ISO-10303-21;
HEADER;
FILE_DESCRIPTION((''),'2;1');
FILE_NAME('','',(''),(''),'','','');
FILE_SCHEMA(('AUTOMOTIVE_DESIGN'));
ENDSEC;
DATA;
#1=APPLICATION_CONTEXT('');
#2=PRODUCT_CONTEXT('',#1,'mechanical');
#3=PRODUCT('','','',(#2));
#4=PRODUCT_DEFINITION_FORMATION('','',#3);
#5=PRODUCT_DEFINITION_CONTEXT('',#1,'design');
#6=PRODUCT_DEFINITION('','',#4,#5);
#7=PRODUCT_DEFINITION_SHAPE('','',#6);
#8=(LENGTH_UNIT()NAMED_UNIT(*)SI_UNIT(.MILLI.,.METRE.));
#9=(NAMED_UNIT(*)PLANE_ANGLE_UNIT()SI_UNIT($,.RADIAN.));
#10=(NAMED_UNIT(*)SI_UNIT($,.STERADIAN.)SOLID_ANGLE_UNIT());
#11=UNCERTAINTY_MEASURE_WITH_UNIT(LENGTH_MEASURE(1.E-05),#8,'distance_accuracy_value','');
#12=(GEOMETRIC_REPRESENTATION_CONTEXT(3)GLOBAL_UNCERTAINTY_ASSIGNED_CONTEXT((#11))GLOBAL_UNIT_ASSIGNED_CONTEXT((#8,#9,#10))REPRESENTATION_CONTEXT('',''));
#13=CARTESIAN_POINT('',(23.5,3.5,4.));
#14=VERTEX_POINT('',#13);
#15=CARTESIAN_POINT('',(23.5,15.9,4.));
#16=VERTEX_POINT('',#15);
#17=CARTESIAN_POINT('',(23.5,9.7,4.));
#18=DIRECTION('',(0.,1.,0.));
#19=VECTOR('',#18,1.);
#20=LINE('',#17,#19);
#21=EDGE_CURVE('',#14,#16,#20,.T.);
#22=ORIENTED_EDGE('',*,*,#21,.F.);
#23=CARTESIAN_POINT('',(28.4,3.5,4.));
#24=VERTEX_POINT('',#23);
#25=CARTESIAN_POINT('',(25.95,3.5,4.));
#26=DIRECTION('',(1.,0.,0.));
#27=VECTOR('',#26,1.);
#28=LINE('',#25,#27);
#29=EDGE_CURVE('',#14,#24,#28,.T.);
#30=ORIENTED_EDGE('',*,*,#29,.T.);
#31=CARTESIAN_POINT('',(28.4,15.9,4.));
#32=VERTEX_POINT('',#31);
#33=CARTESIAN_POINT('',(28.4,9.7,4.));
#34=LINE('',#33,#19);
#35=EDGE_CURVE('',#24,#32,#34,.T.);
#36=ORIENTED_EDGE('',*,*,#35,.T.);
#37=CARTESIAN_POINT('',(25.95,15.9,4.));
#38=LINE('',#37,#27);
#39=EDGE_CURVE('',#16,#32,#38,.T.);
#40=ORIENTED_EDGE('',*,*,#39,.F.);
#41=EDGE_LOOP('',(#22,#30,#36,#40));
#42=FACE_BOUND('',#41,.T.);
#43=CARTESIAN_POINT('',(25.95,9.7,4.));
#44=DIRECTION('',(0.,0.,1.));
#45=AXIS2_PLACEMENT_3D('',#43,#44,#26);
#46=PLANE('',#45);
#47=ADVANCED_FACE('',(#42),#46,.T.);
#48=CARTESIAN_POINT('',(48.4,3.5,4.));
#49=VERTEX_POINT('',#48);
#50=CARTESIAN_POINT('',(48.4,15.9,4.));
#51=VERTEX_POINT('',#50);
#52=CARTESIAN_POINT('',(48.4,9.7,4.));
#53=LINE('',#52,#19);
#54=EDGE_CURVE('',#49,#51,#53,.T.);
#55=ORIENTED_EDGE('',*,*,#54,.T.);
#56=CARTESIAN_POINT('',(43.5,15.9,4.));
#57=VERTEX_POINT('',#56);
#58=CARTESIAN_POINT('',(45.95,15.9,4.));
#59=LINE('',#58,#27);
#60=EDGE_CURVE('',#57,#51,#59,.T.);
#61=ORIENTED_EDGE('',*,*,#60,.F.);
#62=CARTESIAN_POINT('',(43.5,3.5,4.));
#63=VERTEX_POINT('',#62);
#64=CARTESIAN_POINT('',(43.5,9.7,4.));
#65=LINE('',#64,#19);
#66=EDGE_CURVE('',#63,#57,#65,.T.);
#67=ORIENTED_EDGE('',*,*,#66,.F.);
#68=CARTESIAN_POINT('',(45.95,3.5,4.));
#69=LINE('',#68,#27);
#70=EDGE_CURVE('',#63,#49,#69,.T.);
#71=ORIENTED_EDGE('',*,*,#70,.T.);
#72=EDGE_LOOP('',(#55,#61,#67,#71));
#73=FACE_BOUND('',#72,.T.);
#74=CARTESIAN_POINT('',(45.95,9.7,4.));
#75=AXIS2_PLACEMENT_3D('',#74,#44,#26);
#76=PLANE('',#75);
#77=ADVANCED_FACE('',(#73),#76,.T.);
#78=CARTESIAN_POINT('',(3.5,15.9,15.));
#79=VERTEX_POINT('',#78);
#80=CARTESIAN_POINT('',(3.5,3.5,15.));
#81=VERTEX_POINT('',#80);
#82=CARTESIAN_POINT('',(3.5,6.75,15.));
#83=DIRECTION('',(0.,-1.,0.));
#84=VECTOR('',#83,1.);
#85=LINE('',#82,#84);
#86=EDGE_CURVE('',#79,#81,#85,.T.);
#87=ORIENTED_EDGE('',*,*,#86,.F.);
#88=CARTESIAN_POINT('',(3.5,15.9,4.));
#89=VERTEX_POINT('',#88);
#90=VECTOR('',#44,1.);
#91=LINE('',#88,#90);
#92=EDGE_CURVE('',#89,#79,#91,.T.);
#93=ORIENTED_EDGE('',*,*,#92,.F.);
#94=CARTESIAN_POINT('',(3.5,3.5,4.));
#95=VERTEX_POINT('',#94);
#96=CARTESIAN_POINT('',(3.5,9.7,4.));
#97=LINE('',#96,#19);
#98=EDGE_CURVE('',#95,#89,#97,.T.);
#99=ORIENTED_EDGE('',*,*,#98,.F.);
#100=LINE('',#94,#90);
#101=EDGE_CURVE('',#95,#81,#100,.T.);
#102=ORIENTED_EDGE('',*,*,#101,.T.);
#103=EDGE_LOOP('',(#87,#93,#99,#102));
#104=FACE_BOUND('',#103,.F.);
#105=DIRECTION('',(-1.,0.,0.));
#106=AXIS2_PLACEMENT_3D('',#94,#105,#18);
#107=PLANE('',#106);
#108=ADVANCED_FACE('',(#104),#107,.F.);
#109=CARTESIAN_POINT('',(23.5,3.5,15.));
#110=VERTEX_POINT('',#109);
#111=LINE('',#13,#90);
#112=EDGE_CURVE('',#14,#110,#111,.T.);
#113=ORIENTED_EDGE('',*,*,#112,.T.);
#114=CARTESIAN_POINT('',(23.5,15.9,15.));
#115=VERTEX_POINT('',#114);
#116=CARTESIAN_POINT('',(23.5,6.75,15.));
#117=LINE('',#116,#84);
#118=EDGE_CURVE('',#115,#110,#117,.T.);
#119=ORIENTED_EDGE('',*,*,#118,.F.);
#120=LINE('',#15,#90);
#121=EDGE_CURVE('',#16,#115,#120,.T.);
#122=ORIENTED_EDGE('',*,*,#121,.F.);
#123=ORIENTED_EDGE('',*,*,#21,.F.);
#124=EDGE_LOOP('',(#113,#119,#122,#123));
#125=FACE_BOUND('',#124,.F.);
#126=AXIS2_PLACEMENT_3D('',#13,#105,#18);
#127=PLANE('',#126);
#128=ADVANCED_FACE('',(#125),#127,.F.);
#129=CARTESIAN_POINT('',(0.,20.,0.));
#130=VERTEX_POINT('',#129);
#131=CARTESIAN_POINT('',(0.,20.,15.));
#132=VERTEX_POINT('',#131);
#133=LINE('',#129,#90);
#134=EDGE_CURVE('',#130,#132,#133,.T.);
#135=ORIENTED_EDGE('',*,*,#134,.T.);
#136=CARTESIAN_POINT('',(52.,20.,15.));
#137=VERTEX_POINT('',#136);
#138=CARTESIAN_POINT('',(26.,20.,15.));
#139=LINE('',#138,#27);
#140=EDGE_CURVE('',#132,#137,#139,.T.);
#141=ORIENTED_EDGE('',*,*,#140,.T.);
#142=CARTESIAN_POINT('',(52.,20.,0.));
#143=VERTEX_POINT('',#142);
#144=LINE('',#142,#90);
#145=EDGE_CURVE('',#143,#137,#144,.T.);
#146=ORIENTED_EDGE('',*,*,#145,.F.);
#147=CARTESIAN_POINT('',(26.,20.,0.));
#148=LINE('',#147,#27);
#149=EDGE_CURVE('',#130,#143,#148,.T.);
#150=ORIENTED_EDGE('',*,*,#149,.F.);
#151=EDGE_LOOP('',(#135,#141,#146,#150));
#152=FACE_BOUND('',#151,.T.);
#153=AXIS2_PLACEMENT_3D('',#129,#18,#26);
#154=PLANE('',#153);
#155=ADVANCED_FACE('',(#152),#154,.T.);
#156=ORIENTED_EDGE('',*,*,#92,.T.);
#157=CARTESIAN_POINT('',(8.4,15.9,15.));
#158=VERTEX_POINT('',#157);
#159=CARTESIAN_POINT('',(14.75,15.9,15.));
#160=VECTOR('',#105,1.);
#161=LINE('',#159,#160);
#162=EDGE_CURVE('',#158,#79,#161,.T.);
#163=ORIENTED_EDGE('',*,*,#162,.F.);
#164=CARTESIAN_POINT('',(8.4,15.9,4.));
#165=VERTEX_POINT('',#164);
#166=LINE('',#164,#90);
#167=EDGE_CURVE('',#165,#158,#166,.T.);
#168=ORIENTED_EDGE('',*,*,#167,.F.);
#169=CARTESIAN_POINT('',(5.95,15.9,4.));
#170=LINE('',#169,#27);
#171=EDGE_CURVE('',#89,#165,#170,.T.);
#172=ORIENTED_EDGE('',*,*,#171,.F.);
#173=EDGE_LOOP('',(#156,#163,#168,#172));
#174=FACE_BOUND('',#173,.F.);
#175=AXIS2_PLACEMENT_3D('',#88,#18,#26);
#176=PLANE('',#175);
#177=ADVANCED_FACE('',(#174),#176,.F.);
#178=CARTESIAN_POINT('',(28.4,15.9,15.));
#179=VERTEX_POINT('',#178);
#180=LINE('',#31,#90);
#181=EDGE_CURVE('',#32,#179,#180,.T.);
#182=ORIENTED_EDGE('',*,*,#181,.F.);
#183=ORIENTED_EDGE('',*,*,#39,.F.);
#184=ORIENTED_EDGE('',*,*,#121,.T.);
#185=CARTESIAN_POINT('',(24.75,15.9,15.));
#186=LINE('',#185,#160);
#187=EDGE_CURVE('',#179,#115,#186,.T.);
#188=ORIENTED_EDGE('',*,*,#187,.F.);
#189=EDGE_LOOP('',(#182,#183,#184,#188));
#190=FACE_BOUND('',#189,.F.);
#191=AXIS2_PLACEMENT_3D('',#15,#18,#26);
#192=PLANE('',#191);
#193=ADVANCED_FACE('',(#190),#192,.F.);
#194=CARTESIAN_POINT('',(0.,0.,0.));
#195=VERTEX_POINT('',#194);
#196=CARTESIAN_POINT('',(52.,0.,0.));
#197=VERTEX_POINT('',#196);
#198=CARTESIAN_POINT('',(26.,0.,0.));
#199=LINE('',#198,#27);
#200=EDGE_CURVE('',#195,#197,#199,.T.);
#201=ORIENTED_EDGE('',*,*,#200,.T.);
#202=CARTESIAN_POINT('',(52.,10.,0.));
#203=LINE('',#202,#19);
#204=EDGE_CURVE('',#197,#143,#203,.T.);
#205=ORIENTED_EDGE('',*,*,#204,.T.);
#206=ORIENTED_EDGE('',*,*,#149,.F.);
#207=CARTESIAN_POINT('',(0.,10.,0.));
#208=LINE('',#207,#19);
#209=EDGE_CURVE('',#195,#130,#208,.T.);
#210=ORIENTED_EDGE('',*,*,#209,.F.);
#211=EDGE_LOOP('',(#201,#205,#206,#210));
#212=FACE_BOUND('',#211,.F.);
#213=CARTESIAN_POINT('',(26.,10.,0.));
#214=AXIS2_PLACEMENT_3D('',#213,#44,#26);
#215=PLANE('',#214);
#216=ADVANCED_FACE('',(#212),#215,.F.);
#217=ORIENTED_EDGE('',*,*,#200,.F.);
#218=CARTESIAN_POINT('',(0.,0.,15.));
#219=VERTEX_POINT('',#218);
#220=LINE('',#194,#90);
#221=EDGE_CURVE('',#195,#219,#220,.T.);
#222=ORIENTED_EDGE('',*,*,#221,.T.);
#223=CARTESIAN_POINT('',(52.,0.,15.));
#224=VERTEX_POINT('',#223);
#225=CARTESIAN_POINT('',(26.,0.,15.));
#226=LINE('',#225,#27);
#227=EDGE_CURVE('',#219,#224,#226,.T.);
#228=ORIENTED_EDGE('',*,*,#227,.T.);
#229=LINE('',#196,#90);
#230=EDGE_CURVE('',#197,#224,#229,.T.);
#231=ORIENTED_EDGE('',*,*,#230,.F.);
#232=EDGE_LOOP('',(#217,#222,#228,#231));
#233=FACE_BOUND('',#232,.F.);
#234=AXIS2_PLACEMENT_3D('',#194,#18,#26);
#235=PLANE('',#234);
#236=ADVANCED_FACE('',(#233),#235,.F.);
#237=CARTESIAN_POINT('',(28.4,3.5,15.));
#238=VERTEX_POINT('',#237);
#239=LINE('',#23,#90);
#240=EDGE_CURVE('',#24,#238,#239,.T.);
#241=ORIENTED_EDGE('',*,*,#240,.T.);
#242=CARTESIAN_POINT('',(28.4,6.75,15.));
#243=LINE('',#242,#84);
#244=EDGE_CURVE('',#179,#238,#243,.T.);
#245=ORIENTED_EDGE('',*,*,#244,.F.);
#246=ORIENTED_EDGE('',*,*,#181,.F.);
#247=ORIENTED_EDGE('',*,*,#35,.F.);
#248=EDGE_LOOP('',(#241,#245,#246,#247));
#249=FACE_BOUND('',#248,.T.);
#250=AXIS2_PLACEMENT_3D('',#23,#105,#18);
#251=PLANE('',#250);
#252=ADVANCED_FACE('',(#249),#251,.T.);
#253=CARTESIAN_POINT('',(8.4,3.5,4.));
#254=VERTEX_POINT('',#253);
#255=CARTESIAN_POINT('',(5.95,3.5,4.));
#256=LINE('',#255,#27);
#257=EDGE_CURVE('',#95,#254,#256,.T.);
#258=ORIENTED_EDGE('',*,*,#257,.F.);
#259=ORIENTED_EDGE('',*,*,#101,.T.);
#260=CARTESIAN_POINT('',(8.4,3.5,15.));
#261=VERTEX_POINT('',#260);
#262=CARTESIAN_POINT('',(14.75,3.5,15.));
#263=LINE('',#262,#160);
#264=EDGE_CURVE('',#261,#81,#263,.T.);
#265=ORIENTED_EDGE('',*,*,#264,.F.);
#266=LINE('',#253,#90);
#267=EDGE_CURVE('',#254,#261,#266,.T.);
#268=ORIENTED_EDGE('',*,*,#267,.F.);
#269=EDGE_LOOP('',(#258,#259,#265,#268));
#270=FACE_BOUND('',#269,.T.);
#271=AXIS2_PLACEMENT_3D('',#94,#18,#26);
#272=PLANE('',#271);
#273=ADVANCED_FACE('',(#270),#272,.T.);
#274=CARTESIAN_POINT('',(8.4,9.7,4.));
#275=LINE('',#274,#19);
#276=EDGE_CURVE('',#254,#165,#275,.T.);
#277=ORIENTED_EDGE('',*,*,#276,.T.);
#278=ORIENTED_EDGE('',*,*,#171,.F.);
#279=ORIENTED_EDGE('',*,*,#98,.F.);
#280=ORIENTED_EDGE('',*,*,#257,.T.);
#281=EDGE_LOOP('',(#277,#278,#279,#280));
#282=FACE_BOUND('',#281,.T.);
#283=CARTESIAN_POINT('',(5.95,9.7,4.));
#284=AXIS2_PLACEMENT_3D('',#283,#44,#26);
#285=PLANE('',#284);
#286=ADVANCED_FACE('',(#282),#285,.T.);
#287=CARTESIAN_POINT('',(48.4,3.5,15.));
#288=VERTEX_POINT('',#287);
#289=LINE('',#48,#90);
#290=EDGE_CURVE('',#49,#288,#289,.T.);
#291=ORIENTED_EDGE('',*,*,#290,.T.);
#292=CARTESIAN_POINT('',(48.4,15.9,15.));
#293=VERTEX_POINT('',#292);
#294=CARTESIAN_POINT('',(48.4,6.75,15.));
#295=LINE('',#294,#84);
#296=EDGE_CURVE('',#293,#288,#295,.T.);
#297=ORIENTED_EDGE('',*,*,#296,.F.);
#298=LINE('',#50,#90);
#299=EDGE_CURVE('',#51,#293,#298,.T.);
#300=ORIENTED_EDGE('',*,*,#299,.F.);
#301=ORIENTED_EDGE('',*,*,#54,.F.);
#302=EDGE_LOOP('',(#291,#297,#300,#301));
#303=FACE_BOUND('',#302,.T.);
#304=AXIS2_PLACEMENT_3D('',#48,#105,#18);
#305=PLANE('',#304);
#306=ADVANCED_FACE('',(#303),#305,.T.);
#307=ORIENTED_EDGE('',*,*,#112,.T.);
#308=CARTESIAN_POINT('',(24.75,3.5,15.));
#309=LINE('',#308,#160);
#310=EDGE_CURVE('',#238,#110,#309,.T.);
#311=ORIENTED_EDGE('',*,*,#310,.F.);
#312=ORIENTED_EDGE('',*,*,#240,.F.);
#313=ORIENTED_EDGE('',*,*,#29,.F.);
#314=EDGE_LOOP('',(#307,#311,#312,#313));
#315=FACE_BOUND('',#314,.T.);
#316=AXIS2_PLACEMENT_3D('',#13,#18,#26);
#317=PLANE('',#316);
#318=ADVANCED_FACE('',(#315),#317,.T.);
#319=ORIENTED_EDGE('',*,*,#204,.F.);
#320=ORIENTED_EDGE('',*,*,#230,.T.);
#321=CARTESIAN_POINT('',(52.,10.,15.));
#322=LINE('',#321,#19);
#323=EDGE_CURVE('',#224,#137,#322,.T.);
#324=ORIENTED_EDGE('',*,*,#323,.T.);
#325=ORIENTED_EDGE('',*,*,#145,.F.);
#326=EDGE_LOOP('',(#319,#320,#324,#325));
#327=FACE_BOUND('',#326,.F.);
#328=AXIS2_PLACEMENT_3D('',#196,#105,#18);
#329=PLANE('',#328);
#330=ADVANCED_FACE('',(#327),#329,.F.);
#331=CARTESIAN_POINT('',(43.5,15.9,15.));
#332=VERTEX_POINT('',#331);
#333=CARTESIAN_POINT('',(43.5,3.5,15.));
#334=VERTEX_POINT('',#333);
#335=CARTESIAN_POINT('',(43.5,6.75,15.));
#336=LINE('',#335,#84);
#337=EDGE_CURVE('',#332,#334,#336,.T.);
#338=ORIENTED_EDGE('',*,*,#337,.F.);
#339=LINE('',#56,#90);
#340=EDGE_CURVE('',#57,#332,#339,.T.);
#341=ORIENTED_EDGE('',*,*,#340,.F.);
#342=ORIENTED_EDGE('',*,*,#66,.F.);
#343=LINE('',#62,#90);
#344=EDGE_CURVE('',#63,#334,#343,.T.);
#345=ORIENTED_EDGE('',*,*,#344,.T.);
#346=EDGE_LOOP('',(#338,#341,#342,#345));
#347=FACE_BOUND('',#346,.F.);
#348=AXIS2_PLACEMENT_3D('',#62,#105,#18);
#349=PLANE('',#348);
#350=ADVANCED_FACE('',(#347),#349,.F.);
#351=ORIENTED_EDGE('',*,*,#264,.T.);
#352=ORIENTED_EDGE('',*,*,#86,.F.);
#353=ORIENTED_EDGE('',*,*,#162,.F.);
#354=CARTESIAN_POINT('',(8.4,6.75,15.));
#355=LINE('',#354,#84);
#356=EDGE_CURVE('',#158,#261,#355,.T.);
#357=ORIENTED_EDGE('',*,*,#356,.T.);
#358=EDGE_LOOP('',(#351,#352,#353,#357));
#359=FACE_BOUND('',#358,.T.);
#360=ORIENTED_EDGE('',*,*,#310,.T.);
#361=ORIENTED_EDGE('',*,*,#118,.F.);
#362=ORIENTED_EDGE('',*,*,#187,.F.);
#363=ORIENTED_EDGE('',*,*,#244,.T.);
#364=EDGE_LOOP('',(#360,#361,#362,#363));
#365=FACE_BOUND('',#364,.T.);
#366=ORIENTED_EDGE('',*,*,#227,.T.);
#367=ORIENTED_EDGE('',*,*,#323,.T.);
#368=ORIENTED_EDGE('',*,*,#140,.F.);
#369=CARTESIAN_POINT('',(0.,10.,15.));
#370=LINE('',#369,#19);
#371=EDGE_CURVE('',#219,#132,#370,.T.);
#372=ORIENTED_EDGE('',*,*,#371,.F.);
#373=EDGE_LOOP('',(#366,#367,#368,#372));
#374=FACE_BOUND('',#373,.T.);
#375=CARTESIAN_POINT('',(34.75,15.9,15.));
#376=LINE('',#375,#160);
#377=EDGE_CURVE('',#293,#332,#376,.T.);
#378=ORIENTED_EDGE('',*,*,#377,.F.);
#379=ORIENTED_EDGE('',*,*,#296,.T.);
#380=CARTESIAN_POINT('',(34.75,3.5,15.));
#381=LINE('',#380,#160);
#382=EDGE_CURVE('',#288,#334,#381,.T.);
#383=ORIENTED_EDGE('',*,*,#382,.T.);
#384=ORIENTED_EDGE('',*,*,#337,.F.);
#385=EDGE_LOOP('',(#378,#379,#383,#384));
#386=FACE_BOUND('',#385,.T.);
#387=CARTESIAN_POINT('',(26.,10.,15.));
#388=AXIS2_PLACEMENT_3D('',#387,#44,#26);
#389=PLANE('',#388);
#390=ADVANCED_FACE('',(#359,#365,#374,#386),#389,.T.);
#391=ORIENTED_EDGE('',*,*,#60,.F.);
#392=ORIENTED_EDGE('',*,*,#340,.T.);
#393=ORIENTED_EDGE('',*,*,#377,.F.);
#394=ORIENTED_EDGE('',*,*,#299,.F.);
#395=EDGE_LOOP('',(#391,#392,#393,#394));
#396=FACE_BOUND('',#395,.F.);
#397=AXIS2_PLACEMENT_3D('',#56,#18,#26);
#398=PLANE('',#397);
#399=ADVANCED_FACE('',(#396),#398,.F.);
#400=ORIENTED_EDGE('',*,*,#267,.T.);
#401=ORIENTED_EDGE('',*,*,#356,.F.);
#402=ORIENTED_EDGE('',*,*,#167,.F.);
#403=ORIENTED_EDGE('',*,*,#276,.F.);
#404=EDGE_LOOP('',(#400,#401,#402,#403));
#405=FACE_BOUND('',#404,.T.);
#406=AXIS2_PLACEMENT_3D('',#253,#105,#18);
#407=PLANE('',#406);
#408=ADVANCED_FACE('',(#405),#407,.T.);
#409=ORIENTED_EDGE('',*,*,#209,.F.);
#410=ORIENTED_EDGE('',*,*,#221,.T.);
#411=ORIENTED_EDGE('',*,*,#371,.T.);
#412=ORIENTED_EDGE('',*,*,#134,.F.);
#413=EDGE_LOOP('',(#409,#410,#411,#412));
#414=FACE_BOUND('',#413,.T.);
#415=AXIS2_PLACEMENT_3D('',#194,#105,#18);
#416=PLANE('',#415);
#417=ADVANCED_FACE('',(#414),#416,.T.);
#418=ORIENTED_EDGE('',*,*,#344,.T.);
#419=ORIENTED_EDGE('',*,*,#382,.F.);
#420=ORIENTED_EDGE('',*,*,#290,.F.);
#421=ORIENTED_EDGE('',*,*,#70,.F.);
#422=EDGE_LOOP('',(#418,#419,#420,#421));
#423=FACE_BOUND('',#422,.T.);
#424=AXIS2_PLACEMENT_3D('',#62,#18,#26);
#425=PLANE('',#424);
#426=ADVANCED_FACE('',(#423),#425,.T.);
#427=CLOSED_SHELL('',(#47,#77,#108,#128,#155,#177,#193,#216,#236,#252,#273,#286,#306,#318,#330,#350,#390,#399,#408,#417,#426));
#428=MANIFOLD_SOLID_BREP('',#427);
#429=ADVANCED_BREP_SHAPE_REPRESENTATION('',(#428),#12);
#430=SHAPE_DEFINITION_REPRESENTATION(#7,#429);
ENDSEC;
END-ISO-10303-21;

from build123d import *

# Parameters (mm, degrees)
BOX003_W     = 4.9
BOX003_H     = 12.4
BOX003_DEPTH = 20
BOX002_W     = 4.9
BOX002_H     = 12.4
BOX002_DEPTH = 20
BOX001_W     = 4.9
BOX001_H     = 12.4
BOX001_DEPTH = 20
BOX_W        = 52
BOX_H        = 20
BOX_DEPTH    = 15


with BuildPart() as slot003:
    # Box003 → Box003 (new body)
    with BuildSketch(Plane(origin=(43.5, 3.5, 4), x_dir=(1, 0, 0), z_dir=(0, 0, 1))):
        with Locations((2.45, 6.2)):
            Rectangle(BOX003_W, BOX003_H)
    extrude(amount=BOX003_DEPTH)


with BuildPart() as slot002:
    # Box002 → Box002 (new body)
    with BuildSketch(Plane(origin=(23.5, 3.5, 4), x_dir=(1, 0, 0), z_dir=(0, 0, 1))):
        with Locations((2.45, 6.2)):
            Rectangle(BOX002_W, BOX002_H)
    extrude(amount=BOX002_DEPTH)


with BuildPart() as slots:
    # Box001 → Box001 (new body)
    with BuildSketch(Plane(origin=(3.5, 3.5, 4), x_dir=(1, 0, 0), z_dir=(0, 0, 1))):
        with Locations((2.45, 6.2)):
            Rectangle(BOX001_W, BOX001_H)
    extrude(amount=BOX001_DEPTH)

    # Fusion: union slot003, slot002
    add(slot003.part)
    add(slot002.part)


with BuildPart() as objeto_final:
    # Box → Box (new body)
    with BuildSketch(Plane.XY):
        with Locations((26, 10)):
            Rectangle(BOX_W, BOX_H)
    extrude(amount=BOX_DEPTH)

    # Cut: cut slots
    add(slots.part, mode=Mode.SUBTRACT)


solid = objeto_final.part
